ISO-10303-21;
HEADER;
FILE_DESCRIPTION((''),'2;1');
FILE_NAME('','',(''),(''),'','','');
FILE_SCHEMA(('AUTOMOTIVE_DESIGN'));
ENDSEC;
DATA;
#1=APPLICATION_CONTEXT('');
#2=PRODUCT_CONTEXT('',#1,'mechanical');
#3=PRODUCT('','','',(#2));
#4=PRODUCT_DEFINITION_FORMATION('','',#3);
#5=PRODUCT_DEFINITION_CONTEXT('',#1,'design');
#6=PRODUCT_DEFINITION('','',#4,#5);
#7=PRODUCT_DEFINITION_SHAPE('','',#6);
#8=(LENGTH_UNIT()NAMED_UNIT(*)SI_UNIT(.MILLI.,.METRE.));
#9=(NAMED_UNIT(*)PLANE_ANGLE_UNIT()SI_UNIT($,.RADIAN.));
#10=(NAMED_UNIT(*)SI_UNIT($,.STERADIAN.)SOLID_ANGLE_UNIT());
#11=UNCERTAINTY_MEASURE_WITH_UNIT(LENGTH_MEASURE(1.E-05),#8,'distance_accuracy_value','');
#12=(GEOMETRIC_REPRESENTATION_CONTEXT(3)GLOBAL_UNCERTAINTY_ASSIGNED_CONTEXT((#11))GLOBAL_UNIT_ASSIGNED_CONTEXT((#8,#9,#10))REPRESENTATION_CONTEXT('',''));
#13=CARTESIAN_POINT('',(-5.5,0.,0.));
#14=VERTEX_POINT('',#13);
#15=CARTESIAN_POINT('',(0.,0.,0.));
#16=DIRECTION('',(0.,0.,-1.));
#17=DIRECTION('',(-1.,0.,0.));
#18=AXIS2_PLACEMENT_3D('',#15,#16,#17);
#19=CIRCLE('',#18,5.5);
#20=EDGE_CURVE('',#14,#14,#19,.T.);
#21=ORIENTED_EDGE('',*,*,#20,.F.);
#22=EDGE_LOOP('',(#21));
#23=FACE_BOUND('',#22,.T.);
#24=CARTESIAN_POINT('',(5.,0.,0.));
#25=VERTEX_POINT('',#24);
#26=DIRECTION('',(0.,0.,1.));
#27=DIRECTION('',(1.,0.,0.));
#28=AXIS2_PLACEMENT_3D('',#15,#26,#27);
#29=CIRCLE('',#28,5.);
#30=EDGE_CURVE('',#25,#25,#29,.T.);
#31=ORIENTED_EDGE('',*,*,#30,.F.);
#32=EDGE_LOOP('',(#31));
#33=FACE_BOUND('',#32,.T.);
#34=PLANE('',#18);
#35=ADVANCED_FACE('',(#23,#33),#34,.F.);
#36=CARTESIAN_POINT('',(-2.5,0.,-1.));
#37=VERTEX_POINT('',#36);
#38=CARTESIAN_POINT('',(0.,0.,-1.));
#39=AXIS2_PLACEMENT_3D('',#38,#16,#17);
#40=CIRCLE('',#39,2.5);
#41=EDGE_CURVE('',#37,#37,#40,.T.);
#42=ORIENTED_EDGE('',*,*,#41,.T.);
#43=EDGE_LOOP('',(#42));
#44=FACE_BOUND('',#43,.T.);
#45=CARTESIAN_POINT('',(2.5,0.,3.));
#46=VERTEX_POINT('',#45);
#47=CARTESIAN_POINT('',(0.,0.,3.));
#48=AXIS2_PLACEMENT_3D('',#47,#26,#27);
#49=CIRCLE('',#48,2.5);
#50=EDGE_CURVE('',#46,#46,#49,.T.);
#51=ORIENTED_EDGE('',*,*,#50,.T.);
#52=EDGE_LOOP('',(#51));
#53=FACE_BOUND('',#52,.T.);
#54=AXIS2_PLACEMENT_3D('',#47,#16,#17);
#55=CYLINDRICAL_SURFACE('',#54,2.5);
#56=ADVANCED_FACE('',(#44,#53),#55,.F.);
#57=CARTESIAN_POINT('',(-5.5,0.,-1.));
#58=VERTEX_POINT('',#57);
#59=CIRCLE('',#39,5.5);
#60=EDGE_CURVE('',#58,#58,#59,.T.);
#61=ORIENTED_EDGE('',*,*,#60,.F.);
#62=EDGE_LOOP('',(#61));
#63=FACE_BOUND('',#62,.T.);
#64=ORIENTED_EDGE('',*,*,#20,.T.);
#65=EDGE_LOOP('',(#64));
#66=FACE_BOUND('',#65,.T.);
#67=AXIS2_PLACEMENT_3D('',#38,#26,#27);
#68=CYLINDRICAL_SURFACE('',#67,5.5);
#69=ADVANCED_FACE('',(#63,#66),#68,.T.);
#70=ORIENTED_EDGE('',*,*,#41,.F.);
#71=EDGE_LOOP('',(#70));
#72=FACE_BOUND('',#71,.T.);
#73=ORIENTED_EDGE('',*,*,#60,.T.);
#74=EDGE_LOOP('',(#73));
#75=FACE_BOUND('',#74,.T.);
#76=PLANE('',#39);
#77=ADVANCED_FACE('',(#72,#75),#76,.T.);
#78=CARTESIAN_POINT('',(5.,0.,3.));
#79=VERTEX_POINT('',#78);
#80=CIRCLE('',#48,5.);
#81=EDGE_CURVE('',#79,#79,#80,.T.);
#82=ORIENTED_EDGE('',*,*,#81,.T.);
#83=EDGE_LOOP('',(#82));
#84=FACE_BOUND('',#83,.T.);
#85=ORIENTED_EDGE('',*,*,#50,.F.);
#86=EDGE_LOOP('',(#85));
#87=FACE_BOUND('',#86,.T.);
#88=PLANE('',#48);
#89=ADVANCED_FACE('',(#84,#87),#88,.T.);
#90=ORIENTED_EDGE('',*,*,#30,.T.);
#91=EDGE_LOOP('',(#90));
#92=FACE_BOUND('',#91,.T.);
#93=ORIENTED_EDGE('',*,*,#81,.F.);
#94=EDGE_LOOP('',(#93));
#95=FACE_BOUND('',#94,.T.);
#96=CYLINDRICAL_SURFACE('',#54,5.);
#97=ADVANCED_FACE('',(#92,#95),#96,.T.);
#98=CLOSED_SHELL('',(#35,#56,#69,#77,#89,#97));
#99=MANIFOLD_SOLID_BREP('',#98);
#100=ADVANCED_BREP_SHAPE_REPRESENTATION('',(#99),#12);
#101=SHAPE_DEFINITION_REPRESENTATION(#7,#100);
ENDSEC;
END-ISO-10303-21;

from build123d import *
from build123d.topology import SkipClean

# Parameters (mm, degrees)
SKETCH_1_R      = 5
SKETCH_1_R_2    = 2.5
EXTRUDE_1_DEPTH = 3
EXTRUDE_START   = 1
SKETCH_2_R      = 5.5
SKETCH_2_R_2    = 2.5
EXTRUDE_2_DEPTH = 1


with BuildPart() as part:
    # 草图1 → 凸台-拉伸1 (new body)
    with BuildSketch(Plane.XY):
        Circle(SKETCH_1_R)
        Circle(SKETCH_1_R_2, mode=Mode.SUBTRACT)
    extrude(amount=EXTRUDE_1_DEPTH)

    # 草图2 → 凸台-拉伸2 (add)
    with SkipClean():  # the faces are left unmerged after this step: merging them gives an invalid solid
        with BuildSketch(Plane(origin=(0, 0, 0), x_dir=(-1, 0, 0), z_dir=(0, 0, -1)).offset(EXTRUDE_START)):
            Circle(SKETCH_2_R)
            Circle(SKETCH_2_R_2, mode=Mode.SUBTRACT)
        extrude(amount=-EXTRUDE_2_DEPTH)


solid = part.part
